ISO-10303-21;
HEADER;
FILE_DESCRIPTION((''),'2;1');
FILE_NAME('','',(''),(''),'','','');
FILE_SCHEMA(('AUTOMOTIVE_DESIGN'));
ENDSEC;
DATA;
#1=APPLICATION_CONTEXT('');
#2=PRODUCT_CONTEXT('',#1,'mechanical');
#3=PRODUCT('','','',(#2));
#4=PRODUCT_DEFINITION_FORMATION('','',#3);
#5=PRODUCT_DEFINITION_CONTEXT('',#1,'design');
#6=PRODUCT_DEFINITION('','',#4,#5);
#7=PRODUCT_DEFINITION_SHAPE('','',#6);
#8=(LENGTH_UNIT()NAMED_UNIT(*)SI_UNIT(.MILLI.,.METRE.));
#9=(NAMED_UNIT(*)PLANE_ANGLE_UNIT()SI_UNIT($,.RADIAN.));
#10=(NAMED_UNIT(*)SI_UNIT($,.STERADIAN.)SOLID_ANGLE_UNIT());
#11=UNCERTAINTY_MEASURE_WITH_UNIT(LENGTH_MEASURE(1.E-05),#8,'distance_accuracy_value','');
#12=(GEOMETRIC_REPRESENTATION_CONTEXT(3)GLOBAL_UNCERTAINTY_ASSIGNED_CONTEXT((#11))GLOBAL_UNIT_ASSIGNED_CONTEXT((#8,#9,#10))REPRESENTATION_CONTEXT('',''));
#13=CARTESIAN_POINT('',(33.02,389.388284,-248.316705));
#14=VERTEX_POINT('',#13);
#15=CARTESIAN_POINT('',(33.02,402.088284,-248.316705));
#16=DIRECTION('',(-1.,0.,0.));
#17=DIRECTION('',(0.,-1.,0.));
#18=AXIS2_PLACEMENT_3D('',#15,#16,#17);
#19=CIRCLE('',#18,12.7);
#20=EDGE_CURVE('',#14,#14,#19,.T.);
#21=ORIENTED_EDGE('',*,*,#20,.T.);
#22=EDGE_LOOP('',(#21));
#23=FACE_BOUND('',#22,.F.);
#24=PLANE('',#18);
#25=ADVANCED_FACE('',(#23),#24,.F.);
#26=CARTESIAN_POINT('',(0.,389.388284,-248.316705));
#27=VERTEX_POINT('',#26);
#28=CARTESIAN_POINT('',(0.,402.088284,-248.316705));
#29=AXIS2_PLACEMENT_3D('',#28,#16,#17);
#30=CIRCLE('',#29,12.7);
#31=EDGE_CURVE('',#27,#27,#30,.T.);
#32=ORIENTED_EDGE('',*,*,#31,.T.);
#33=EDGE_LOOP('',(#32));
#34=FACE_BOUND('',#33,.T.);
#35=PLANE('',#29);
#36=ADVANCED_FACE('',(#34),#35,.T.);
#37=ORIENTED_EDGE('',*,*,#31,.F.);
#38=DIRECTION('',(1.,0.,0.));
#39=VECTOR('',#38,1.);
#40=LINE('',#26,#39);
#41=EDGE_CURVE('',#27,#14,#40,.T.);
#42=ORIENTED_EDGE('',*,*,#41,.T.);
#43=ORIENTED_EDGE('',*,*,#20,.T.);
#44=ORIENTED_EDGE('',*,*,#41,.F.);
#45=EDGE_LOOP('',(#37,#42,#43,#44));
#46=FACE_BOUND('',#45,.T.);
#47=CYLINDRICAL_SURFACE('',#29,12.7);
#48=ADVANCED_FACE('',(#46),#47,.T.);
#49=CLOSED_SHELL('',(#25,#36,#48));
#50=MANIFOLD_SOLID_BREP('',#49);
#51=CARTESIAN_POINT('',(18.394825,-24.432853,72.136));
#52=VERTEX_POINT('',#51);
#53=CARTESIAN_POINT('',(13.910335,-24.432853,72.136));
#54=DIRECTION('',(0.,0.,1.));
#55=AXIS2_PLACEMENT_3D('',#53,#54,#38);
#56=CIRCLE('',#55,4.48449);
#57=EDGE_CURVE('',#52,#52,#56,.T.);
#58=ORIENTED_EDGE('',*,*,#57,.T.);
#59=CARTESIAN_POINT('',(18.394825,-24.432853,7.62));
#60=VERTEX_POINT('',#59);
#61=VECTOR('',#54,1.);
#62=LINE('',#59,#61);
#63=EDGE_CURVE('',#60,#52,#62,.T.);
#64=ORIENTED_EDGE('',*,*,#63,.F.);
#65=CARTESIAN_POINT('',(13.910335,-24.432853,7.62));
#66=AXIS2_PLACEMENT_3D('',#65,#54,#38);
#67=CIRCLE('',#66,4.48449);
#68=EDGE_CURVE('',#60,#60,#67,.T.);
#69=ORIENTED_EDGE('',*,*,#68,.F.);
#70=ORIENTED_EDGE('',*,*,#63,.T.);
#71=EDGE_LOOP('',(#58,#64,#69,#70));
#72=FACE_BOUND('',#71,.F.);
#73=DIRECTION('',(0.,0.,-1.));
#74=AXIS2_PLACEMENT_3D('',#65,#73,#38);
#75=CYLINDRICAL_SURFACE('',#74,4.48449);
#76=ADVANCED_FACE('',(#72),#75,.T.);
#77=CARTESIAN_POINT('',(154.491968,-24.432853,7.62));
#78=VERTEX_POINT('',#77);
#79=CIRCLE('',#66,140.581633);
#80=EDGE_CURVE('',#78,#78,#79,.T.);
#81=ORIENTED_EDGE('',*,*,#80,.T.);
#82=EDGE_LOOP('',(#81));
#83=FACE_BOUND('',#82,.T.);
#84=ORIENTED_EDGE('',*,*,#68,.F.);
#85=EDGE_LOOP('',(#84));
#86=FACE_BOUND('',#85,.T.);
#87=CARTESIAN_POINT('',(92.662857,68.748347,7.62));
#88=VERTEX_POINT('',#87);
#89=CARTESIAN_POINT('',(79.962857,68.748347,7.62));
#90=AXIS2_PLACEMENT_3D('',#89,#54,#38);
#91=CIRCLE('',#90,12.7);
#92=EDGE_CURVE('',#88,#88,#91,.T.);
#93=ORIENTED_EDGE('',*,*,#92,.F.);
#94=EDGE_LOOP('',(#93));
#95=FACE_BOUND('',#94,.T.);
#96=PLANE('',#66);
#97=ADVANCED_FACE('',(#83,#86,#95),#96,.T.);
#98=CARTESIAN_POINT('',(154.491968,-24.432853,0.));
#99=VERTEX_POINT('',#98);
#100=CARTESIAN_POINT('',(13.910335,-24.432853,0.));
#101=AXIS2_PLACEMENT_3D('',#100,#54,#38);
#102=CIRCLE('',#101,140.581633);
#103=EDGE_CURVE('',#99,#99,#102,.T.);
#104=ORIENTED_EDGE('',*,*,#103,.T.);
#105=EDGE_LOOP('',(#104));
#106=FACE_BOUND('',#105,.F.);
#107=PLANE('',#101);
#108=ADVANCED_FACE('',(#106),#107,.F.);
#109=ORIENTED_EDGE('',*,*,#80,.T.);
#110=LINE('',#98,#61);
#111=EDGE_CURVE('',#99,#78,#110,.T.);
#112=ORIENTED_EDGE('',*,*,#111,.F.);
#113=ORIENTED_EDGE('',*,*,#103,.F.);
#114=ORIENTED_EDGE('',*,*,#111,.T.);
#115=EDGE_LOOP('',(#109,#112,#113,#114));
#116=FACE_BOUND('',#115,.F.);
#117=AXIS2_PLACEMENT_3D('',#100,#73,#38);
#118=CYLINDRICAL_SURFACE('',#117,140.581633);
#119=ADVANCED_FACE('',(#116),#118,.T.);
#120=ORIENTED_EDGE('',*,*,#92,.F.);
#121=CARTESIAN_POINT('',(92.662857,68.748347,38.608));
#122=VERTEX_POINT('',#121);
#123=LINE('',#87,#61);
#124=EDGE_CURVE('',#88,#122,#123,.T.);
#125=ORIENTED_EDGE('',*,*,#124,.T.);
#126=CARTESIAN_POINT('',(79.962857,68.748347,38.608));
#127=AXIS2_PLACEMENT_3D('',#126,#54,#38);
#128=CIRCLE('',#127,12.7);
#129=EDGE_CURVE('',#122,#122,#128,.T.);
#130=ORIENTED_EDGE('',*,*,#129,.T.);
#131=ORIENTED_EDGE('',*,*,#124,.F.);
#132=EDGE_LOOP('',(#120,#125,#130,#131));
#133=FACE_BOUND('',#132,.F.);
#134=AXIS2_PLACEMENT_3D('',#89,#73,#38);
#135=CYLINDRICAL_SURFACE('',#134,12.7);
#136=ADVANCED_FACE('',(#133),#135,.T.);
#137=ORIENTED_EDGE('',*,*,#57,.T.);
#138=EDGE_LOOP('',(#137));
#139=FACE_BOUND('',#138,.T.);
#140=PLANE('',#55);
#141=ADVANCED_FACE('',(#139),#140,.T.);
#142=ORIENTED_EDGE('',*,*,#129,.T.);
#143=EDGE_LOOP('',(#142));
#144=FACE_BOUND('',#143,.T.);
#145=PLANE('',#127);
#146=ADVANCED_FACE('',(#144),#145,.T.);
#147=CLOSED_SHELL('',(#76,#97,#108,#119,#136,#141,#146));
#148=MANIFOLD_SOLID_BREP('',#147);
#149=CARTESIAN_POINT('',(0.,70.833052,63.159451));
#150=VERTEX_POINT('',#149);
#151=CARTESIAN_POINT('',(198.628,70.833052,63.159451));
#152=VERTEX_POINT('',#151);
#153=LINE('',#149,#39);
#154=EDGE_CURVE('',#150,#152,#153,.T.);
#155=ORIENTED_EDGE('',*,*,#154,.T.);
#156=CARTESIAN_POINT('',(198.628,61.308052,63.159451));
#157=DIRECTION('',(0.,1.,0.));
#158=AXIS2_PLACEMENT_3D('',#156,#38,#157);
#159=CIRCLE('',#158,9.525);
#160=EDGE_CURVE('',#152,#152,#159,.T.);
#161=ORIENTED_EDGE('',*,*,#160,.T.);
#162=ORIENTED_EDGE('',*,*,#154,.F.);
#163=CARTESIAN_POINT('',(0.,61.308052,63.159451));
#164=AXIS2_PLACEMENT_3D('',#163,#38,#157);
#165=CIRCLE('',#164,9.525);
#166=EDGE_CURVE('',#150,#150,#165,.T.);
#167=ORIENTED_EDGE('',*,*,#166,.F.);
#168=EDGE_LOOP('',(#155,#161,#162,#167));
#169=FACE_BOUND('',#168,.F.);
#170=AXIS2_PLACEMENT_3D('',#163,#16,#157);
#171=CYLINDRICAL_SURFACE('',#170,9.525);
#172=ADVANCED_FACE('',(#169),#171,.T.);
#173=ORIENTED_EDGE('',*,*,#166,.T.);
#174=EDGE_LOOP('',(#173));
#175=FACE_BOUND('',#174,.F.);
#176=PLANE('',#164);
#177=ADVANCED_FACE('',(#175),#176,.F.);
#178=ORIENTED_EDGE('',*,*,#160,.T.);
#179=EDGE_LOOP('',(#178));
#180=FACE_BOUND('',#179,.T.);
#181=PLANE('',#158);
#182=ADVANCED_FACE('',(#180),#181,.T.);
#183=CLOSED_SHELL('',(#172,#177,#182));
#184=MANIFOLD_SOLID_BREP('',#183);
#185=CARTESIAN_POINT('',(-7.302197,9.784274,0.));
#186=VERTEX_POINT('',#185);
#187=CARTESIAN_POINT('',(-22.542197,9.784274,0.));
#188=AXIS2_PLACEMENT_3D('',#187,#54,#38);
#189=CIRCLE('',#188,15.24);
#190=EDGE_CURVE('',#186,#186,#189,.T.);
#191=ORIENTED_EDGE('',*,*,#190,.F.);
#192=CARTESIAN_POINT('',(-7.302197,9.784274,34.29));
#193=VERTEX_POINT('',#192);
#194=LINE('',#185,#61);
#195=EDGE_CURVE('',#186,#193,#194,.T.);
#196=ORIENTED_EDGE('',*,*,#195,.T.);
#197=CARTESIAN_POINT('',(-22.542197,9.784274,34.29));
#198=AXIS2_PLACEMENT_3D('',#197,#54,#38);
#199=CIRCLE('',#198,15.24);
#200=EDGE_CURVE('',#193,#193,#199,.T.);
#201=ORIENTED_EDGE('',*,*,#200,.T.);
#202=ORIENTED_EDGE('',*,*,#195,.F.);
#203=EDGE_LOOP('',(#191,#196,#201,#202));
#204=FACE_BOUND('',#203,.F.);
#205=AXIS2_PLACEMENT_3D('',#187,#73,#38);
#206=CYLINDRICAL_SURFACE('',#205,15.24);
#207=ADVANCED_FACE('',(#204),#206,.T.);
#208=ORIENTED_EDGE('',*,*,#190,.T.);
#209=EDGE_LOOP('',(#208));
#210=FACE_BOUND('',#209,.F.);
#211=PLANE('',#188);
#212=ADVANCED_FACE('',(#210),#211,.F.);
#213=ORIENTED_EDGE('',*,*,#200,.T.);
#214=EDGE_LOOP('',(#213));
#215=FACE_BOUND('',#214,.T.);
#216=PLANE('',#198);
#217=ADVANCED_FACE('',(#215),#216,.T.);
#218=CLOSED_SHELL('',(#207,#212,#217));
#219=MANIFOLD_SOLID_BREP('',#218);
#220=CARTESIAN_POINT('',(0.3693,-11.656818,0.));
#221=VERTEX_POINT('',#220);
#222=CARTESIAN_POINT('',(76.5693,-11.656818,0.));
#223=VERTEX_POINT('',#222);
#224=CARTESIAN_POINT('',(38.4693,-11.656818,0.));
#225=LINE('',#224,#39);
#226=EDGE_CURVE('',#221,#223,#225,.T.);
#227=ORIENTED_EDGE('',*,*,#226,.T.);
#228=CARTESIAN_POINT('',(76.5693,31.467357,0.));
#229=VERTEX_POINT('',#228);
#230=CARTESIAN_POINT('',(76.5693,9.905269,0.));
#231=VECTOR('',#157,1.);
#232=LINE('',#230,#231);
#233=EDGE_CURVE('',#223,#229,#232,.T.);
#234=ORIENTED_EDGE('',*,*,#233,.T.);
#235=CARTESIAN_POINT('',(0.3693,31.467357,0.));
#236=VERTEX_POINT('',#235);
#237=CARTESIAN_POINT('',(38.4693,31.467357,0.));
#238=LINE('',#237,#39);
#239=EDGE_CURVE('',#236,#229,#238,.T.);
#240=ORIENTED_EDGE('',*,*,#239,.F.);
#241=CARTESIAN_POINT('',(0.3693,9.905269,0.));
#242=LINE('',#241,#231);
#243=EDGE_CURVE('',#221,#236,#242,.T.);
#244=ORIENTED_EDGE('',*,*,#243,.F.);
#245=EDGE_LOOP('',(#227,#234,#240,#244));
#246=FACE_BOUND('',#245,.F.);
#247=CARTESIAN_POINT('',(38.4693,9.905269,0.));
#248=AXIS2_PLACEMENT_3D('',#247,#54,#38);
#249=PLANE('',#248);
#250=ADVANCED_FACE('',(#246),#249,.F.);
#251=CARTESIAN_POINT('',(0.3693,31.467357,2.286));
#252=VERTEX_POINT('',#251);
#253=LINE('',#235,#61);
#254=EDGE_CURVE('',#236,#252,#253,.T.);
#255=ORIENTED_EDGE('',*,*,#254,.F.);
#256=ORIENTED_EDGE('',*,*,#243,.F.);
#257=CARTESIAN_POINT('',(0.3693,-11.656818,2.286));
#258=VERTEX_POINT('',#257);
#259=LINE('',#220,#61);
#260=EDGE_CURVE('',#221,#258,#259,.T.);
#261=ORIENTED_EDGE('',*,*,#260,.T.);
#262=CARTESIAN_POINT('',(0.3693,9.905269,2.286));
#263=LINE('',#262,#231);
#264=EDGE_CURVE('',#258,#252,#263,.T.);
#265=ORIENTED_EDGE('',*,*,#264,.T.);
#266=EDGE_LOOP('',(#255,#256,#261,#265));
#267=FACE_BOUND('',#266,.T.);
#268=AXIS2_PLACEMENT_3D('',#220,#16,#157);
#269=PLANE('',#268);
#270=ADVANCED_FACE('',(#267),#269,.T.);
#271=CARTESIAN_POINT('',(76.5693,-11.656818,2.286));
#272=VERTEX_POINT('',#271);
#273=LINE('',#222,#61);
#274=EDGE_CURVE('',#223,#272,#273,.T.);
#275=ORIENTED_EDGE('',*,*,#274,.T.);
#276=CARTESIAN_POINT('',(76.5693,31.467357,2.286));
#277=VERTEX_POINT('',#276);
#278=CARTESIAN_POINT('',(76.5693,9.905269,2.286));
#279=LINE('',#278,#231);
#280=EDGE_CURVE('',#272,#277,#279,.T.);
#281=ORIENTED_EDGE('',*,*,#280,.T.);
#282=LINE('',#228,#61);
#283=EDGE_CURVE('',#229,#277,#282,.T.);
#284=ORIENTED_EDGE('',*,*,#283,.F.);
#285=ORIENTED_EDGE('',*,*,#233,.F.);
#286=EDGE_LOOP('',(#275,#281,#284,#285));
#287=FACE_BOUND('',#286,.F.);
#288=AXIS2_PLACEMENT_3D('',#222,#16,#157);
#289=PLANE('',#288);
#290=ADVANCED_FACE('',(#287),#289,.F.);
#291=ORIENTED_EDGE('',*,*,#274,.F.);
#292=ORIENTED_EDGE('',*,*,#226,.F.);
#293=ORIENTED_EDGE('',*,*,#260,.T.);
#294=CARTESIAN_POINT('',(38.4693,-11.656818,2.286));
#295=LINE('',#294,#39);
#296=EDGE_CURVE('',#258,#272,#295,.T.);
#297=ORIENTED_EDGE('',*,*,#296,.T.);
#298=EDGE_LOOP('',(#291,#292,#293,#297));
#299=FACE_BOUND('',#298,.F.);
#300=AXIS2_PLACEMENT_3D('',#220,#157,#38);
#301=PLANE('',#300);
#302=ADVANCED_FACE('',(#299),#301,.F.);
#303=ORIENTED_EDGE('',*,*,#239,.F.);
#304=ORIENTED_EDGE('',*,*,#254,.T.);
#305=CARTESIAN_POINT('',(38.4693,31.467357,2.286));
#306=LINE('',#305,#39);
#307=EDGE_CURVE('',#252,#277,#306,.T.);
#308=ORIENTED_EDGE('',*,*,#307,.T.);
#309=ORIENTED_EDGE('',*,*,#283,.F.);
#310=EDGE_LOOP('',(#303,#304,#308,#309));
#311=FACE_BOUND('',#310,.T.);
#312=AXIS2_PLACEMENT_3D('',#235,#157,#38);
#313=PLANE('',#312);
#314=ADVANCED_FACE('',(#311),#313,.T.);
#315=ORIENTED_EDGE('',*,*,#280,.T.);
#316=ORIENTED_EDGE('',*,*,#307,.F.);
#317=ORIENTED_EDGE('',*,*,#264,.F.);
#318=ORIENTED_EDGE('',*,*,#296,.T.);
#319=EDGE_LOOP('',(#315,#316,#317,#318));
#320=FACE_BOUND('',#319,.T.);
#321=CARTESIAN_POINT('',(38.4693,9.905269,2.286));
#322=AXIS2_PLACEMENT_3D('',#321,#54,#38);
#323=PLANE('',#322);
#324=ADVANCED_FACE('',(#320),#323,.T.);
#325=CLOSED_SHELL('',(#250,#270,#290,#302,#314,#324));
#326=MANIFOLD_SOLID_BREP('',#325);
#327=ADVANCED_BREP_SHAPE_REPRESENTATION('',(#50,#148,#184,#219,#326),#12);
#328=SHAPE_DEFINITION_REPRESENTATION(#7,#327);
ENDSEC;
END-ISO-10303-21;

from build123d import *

# Parameters (mm, degrees)
F0_R      = 15.24
F1_DEPTH  = 34.29
F2_W      = 76.2
F2_H      = 43.124175
F3_DEPTH  = 2.286
F4_R      = 140.581633
F5_DEPTH  = 7.62
F6_R      = 9.525
F7_DEPTH  = 198.628
F9_R      = 12.7
F10_DEPTH = 33.02
F11_R     = 12.7
F12_DEPTH = 30.988
F8_R      = 4.48449
F13_DEPTH = 64.516


with BuildPart() as f1:
    # F0 (on Top) → F1 (new body)
    with BuildSketch(Plane.XY):
        with Locations((-22.542197, 9.784274)):
            Circle(F0_R)
    extrude(amount=F1_DEPTH)


with BuildPart() as f3:
    # F2 (on Top) → F3 (new body)
    with BuildSketch(Plane.XY):
        with Locations((38.4693, 9.905269)):
            Rectangle(F2_W, F2_H)
    extrude(amount=F3_DEPTH)


with BuildPart() as f5:
    # F4 (on Top) → F5 (new body)
    with BuildSketch(Plane.XY):
        with Locations((13.910335, -24.432853)):
            Circle(F4_R)
    extrude(amount=F5_DEPTH)

    # F11 (on face) → F12 (join)
    with BuildSketch(Plane.XY.offset(7.62)):
        with Locations((79.962857, 68.748347)):
            Circle(F11_R)
    extrude(amount=F12_DEPTH)

    # F8 (on face) → F13 (join)
    with BuildSketch(Plane.XY.offset(7.62)):
        with Locations((13.910335, -24.432853)):
            Circle(F8_R)
    extrude(amount=F13_DEPTH)


with BuildPart() as f7:
    # F6 (on Right) → F7 (new body)
    with BuildSketch(Plane.YZ):
        with Locations((61.308052, 63.159451)):
            Circle(F6_R)
    extrude(amount=F7_DEPTH)


with BuildPart() as f10:
    # F9 (on face) → F10 (new body)
    with BuildSketch(Plane(origin=(0, 0, 0), x_dir=(0, -1, 0), z_dir=(-1, 0, 0))):
        with Locations((-402.088284, -248.316705)):
            Circle(F9_R)
    extrude(amount=-F10_DEPTH)


solid = Compound([f1.part, f3.part, f5.part, f7.part, f10.part])
